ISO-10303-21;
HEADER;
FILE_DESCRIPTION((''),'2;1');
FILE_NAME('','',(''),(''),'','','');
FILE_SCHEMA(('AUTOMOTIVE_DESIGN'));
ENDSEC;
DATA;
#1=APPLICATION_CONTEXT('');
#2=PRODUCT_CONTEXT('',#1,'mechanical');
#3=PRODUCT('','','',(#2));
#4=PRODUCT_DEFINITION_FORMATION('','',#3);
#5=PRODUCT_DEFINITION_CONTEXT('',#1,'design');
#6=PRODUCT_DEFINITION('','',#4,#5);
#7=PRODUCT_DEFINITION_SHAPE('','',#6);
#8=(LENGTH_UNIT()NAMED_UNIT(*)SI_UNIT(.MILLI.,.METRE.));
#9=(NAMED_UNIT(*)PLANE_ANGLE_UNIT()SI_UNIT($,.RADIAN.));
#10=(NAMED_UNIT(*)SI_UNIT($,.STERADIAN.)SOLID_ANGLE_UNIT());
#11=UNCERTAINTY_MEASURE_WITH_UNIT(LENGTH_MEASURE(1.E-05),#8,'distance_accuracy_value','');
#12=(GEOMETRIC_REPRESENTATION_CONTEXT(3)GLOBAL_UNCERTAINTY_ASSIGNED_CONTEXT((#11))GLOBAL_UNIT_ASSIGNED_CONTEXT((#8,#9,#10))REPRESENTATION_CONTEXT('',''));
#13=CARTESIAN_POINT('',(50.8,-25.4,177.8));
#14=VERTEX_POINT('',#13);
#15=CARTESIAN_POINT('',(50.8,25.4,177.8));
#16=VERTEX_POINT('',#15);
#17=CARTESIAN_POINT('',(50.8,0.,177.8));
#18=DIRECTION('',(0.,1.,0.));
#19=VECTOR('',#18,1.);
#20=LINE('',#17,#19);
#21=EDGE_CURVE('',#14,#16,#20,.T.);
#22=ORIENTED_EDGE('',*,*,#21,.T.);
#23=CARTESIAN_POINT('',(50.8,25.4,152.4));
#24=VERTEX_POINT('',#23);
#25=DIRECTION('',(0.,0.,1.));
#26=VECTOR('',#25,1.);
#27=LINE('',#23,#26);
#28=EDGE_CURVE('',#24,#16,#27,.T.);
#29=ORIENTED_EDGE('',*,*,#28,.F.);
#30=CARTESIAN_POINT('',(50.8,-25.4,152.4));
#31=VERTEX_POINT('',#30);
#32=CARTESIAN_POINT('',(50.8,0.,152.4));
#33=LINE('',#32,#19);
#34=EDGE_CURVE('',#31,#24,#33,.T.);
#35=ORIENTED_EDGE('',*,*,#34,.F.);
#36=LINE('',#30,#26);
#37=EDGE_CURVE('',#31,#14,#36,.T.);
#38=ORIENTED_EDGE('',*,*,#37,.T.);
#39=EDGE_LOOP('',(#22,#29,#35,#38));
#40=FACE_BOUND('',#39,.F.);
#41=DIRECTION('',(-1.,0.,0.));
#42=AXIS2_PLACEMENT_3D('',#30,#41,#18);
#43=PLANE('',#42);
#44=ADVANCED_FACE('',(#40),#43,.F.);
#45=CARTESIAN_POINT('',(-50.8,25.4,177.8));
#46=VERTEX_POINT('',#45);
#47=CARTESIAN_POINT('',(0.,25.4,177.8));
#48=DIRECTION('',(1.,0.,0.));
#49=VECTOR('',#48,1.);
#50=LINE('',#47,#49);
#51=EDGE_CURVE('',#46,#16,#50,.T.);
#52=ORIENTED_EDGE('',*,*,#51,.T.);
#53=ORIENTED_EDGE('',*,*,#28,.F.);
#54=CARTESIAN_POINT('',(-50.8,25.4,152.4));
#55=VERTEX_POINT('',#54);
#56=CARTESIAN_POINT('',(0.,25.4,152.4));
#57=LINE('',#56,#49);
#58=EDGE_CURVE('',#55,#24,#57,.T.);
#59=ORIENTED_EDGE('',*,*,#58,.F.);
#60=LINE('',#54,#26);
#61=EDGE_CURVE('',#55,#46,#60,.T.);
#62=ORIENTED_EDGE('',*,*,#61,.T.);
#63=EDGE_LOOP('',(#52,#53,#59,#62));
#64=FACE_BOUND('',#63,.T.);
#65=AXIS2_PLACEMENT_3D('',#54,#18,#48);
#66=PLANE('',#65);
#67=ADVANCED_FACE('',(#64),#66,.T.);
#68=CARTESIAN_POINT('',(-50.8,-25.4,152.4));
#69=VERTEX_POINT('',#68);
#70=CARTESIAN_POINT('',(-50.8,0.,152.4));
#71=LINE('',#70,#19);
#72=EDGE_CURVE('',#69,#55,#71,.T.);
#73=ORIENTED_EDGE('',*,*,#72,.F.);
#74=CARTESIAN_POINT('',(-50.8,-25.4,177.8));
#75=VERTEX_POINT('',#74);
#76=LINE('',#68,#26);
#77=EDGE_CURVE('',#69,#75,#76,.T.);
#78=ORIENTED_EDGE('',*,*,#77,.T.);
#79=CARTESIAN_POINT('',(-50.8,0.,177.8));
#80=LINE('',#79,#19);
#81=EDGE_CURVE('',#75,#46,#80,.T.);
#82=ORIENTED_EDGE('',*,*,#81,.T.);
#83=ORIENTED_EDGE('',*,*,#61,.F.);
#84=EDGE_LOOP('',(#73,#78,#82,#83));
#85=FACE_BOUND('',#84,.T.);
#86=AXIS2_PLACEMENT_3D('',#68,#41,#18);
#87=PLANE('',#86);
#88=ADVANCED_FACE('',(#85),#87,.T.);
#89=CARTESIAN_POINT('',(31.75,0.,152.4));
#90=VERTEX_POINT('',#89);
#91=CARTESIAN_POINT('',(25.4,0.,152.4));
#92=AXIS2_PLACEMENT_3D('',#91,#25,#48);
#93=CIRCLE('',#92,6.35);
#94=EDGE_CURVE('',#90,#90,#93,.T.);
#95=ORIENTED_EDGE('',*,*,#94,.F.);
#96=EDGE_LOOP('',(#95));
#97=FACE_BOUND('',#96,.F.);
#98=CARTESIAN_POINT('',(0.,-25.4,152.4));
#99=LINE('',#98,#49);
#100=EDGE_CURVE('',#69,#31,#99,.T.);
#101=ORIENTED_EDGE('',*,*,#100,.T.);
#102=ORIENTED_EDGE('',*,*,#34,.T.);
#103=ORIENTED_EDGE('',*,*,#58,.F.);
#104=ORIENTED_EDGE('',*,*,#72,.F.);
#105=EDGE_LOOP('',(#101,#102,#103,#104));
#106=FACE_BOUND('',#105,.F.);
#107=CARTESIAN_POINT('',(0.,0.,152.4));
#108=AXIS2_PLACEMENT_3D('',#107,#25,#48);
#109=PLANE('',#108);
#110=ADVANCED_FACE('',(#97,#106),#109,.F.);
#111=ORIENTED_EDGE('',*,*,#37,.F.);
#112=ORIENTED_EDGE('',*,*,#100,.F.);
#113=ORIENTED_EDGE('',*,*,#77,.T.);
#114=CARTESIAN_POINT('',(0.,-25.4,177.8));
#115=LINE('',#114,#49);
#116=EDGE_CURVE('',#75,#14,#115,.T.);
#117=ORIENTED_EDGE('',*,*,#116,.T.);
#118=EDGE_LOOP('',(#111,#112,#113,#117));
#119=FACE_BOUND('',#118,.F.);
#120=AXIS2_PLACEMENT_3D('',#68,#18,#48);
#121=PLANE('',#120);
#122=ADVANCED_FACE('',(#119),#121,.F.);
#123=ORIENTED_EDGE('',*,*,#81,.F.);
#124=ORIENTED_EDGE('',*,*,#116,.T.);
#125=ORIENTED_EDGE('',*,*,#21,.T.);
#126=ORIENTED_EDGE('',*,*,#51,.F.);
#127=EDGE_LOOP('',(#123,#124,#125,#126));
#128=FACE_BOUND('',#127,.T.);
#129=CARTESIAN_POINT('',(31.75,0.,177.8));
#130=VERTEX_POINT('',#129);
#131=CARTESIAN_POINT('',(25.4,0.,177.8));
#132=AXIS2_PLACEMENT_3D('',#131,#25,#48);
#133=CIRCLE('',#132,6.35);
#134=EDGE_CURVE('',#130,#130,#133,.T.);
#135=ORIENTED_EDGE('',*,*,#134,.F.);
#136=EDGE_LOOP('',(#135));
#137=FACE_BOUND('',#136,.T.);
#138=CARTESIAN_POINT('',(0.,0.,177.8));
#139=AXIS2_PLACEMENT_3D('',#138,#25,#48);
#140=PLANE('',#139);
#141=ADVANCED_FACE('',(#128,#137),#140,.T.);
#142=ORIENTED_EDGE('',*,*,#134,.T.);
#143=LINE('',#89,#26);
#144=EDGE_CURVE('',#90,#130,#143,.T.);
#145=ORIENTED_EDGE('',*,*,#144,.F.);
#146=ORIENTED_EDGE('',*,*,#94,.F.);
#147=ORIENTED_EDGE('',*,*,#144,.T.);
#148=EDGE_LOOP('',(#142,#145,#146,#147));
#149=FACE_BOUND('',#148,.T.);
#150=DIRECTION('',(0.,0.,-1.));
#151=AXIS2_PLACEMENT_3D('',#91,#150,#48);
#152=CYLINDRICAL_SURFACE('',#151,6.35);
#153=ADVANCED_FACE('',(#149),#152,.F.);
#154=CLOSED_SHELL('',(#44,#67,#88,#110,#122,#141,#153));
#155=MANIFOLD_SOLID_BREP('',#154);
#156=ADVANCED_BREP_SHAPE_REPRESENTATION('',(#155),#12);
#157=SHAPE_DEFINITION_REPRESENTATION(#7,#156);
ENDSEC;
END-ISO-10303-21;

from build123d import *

# Parameters (mm, degrees)
F1_W     = 101.6
F1_H     = 50.8
F1_R     = 6.35
F2_DEPTH = 25.4


with BuildPart() as f2:
    # F1 (on offset) → F2 (new body)
    with BuildSketch(Plane.XY.offset(152.4)):
        Rectangle(F1_W, F1_H)
        with Locations((25.4, 0)):
            Circle(F1_R, mode=Mode.SUBTRACT)
    extrude(amount=F2_DEPTH)


solid = f2.part
